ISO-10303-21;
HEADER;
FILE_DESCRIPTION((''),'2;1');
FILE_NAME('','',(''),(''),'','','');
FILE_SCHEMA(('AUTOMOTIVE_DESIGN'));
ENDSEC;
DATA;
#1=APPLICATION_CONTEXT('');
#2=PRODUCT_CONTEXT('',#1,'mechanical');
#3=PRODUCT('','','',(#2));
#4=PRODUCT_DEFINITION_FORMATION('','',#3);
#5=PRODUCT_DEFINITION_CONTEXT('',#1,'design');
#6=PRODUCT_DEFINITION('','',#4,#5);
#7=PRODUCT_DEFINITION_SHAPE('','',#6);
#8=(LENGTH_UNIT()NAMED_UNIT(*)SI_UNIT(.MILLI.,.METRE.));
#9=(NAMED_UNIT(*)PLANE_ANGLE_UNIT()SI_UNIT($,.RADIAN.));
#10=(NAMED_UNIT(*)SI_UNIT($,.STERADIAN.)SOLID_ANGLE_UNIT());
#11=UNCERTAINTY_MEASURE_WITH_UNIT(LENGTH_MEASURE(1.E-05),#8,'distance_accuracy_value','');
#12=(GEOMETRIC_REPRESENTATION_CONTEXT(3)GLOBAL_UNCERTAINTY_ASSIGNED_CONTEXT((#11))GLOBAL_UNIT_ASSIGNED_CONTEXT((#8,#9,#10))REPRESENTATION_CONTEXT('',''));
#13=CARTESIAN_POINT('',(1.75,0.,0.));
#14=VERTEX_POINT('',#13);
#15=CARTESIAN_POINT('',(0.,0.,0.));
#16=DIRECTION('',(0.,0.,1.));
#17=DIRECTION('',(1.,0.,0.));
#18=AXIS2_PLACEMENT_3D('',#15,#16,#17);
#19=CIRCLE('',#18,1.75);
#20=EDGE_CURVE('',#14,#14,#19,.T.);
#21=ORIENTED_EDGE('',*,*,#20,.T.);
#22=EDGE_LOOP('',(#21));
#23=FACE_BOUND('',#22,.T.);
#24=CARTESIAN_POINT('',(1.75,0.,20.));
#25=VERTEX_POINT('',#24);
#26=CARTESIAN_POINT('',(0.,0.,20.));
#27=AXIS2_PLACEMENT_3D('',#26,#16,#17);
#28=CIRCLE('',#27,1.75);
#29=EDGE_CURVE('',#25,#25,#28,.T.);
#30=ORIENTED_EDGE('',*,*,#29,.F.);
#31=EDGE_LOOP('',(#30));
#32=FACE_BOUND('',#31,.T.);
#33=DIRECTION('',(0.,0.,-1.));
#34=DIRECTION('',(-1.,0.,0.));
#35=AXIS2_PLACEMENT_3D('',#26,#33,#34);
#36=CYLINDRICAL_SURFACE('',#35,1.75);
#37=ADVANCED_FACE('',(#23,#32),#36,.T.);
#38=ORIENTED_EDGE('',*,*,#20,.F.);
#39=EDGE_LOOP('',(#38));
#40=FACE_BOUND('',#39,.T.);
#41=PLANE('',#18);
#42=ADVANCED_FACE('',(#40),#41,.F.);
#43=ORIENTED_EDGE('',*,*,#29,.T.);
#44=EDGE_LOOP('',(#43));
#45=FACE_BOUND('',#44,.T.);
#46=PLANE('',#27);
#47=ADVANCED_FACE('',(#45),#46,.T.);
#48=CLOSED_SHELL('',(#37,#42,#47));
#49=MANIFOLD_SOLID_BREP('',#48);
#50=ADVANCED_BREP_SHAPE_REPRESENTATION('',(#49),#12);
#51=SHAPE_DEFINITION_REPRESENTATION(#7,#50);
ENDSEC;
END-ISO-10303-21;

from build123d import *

# Parameters (mm, degrees)
SKETCH_1_R      = 1.75
EXTRUDE_1_DEPTH = 20


with BuildPart() as part:
    # 草图1 → 凸台-拉伸1 (new body)
    with BuildSketch(Plane.XY):
        Circle(SKETCH_1_R)
    extrude(amount=EXTRUDE_1_DEPTH)


solid = part.part
